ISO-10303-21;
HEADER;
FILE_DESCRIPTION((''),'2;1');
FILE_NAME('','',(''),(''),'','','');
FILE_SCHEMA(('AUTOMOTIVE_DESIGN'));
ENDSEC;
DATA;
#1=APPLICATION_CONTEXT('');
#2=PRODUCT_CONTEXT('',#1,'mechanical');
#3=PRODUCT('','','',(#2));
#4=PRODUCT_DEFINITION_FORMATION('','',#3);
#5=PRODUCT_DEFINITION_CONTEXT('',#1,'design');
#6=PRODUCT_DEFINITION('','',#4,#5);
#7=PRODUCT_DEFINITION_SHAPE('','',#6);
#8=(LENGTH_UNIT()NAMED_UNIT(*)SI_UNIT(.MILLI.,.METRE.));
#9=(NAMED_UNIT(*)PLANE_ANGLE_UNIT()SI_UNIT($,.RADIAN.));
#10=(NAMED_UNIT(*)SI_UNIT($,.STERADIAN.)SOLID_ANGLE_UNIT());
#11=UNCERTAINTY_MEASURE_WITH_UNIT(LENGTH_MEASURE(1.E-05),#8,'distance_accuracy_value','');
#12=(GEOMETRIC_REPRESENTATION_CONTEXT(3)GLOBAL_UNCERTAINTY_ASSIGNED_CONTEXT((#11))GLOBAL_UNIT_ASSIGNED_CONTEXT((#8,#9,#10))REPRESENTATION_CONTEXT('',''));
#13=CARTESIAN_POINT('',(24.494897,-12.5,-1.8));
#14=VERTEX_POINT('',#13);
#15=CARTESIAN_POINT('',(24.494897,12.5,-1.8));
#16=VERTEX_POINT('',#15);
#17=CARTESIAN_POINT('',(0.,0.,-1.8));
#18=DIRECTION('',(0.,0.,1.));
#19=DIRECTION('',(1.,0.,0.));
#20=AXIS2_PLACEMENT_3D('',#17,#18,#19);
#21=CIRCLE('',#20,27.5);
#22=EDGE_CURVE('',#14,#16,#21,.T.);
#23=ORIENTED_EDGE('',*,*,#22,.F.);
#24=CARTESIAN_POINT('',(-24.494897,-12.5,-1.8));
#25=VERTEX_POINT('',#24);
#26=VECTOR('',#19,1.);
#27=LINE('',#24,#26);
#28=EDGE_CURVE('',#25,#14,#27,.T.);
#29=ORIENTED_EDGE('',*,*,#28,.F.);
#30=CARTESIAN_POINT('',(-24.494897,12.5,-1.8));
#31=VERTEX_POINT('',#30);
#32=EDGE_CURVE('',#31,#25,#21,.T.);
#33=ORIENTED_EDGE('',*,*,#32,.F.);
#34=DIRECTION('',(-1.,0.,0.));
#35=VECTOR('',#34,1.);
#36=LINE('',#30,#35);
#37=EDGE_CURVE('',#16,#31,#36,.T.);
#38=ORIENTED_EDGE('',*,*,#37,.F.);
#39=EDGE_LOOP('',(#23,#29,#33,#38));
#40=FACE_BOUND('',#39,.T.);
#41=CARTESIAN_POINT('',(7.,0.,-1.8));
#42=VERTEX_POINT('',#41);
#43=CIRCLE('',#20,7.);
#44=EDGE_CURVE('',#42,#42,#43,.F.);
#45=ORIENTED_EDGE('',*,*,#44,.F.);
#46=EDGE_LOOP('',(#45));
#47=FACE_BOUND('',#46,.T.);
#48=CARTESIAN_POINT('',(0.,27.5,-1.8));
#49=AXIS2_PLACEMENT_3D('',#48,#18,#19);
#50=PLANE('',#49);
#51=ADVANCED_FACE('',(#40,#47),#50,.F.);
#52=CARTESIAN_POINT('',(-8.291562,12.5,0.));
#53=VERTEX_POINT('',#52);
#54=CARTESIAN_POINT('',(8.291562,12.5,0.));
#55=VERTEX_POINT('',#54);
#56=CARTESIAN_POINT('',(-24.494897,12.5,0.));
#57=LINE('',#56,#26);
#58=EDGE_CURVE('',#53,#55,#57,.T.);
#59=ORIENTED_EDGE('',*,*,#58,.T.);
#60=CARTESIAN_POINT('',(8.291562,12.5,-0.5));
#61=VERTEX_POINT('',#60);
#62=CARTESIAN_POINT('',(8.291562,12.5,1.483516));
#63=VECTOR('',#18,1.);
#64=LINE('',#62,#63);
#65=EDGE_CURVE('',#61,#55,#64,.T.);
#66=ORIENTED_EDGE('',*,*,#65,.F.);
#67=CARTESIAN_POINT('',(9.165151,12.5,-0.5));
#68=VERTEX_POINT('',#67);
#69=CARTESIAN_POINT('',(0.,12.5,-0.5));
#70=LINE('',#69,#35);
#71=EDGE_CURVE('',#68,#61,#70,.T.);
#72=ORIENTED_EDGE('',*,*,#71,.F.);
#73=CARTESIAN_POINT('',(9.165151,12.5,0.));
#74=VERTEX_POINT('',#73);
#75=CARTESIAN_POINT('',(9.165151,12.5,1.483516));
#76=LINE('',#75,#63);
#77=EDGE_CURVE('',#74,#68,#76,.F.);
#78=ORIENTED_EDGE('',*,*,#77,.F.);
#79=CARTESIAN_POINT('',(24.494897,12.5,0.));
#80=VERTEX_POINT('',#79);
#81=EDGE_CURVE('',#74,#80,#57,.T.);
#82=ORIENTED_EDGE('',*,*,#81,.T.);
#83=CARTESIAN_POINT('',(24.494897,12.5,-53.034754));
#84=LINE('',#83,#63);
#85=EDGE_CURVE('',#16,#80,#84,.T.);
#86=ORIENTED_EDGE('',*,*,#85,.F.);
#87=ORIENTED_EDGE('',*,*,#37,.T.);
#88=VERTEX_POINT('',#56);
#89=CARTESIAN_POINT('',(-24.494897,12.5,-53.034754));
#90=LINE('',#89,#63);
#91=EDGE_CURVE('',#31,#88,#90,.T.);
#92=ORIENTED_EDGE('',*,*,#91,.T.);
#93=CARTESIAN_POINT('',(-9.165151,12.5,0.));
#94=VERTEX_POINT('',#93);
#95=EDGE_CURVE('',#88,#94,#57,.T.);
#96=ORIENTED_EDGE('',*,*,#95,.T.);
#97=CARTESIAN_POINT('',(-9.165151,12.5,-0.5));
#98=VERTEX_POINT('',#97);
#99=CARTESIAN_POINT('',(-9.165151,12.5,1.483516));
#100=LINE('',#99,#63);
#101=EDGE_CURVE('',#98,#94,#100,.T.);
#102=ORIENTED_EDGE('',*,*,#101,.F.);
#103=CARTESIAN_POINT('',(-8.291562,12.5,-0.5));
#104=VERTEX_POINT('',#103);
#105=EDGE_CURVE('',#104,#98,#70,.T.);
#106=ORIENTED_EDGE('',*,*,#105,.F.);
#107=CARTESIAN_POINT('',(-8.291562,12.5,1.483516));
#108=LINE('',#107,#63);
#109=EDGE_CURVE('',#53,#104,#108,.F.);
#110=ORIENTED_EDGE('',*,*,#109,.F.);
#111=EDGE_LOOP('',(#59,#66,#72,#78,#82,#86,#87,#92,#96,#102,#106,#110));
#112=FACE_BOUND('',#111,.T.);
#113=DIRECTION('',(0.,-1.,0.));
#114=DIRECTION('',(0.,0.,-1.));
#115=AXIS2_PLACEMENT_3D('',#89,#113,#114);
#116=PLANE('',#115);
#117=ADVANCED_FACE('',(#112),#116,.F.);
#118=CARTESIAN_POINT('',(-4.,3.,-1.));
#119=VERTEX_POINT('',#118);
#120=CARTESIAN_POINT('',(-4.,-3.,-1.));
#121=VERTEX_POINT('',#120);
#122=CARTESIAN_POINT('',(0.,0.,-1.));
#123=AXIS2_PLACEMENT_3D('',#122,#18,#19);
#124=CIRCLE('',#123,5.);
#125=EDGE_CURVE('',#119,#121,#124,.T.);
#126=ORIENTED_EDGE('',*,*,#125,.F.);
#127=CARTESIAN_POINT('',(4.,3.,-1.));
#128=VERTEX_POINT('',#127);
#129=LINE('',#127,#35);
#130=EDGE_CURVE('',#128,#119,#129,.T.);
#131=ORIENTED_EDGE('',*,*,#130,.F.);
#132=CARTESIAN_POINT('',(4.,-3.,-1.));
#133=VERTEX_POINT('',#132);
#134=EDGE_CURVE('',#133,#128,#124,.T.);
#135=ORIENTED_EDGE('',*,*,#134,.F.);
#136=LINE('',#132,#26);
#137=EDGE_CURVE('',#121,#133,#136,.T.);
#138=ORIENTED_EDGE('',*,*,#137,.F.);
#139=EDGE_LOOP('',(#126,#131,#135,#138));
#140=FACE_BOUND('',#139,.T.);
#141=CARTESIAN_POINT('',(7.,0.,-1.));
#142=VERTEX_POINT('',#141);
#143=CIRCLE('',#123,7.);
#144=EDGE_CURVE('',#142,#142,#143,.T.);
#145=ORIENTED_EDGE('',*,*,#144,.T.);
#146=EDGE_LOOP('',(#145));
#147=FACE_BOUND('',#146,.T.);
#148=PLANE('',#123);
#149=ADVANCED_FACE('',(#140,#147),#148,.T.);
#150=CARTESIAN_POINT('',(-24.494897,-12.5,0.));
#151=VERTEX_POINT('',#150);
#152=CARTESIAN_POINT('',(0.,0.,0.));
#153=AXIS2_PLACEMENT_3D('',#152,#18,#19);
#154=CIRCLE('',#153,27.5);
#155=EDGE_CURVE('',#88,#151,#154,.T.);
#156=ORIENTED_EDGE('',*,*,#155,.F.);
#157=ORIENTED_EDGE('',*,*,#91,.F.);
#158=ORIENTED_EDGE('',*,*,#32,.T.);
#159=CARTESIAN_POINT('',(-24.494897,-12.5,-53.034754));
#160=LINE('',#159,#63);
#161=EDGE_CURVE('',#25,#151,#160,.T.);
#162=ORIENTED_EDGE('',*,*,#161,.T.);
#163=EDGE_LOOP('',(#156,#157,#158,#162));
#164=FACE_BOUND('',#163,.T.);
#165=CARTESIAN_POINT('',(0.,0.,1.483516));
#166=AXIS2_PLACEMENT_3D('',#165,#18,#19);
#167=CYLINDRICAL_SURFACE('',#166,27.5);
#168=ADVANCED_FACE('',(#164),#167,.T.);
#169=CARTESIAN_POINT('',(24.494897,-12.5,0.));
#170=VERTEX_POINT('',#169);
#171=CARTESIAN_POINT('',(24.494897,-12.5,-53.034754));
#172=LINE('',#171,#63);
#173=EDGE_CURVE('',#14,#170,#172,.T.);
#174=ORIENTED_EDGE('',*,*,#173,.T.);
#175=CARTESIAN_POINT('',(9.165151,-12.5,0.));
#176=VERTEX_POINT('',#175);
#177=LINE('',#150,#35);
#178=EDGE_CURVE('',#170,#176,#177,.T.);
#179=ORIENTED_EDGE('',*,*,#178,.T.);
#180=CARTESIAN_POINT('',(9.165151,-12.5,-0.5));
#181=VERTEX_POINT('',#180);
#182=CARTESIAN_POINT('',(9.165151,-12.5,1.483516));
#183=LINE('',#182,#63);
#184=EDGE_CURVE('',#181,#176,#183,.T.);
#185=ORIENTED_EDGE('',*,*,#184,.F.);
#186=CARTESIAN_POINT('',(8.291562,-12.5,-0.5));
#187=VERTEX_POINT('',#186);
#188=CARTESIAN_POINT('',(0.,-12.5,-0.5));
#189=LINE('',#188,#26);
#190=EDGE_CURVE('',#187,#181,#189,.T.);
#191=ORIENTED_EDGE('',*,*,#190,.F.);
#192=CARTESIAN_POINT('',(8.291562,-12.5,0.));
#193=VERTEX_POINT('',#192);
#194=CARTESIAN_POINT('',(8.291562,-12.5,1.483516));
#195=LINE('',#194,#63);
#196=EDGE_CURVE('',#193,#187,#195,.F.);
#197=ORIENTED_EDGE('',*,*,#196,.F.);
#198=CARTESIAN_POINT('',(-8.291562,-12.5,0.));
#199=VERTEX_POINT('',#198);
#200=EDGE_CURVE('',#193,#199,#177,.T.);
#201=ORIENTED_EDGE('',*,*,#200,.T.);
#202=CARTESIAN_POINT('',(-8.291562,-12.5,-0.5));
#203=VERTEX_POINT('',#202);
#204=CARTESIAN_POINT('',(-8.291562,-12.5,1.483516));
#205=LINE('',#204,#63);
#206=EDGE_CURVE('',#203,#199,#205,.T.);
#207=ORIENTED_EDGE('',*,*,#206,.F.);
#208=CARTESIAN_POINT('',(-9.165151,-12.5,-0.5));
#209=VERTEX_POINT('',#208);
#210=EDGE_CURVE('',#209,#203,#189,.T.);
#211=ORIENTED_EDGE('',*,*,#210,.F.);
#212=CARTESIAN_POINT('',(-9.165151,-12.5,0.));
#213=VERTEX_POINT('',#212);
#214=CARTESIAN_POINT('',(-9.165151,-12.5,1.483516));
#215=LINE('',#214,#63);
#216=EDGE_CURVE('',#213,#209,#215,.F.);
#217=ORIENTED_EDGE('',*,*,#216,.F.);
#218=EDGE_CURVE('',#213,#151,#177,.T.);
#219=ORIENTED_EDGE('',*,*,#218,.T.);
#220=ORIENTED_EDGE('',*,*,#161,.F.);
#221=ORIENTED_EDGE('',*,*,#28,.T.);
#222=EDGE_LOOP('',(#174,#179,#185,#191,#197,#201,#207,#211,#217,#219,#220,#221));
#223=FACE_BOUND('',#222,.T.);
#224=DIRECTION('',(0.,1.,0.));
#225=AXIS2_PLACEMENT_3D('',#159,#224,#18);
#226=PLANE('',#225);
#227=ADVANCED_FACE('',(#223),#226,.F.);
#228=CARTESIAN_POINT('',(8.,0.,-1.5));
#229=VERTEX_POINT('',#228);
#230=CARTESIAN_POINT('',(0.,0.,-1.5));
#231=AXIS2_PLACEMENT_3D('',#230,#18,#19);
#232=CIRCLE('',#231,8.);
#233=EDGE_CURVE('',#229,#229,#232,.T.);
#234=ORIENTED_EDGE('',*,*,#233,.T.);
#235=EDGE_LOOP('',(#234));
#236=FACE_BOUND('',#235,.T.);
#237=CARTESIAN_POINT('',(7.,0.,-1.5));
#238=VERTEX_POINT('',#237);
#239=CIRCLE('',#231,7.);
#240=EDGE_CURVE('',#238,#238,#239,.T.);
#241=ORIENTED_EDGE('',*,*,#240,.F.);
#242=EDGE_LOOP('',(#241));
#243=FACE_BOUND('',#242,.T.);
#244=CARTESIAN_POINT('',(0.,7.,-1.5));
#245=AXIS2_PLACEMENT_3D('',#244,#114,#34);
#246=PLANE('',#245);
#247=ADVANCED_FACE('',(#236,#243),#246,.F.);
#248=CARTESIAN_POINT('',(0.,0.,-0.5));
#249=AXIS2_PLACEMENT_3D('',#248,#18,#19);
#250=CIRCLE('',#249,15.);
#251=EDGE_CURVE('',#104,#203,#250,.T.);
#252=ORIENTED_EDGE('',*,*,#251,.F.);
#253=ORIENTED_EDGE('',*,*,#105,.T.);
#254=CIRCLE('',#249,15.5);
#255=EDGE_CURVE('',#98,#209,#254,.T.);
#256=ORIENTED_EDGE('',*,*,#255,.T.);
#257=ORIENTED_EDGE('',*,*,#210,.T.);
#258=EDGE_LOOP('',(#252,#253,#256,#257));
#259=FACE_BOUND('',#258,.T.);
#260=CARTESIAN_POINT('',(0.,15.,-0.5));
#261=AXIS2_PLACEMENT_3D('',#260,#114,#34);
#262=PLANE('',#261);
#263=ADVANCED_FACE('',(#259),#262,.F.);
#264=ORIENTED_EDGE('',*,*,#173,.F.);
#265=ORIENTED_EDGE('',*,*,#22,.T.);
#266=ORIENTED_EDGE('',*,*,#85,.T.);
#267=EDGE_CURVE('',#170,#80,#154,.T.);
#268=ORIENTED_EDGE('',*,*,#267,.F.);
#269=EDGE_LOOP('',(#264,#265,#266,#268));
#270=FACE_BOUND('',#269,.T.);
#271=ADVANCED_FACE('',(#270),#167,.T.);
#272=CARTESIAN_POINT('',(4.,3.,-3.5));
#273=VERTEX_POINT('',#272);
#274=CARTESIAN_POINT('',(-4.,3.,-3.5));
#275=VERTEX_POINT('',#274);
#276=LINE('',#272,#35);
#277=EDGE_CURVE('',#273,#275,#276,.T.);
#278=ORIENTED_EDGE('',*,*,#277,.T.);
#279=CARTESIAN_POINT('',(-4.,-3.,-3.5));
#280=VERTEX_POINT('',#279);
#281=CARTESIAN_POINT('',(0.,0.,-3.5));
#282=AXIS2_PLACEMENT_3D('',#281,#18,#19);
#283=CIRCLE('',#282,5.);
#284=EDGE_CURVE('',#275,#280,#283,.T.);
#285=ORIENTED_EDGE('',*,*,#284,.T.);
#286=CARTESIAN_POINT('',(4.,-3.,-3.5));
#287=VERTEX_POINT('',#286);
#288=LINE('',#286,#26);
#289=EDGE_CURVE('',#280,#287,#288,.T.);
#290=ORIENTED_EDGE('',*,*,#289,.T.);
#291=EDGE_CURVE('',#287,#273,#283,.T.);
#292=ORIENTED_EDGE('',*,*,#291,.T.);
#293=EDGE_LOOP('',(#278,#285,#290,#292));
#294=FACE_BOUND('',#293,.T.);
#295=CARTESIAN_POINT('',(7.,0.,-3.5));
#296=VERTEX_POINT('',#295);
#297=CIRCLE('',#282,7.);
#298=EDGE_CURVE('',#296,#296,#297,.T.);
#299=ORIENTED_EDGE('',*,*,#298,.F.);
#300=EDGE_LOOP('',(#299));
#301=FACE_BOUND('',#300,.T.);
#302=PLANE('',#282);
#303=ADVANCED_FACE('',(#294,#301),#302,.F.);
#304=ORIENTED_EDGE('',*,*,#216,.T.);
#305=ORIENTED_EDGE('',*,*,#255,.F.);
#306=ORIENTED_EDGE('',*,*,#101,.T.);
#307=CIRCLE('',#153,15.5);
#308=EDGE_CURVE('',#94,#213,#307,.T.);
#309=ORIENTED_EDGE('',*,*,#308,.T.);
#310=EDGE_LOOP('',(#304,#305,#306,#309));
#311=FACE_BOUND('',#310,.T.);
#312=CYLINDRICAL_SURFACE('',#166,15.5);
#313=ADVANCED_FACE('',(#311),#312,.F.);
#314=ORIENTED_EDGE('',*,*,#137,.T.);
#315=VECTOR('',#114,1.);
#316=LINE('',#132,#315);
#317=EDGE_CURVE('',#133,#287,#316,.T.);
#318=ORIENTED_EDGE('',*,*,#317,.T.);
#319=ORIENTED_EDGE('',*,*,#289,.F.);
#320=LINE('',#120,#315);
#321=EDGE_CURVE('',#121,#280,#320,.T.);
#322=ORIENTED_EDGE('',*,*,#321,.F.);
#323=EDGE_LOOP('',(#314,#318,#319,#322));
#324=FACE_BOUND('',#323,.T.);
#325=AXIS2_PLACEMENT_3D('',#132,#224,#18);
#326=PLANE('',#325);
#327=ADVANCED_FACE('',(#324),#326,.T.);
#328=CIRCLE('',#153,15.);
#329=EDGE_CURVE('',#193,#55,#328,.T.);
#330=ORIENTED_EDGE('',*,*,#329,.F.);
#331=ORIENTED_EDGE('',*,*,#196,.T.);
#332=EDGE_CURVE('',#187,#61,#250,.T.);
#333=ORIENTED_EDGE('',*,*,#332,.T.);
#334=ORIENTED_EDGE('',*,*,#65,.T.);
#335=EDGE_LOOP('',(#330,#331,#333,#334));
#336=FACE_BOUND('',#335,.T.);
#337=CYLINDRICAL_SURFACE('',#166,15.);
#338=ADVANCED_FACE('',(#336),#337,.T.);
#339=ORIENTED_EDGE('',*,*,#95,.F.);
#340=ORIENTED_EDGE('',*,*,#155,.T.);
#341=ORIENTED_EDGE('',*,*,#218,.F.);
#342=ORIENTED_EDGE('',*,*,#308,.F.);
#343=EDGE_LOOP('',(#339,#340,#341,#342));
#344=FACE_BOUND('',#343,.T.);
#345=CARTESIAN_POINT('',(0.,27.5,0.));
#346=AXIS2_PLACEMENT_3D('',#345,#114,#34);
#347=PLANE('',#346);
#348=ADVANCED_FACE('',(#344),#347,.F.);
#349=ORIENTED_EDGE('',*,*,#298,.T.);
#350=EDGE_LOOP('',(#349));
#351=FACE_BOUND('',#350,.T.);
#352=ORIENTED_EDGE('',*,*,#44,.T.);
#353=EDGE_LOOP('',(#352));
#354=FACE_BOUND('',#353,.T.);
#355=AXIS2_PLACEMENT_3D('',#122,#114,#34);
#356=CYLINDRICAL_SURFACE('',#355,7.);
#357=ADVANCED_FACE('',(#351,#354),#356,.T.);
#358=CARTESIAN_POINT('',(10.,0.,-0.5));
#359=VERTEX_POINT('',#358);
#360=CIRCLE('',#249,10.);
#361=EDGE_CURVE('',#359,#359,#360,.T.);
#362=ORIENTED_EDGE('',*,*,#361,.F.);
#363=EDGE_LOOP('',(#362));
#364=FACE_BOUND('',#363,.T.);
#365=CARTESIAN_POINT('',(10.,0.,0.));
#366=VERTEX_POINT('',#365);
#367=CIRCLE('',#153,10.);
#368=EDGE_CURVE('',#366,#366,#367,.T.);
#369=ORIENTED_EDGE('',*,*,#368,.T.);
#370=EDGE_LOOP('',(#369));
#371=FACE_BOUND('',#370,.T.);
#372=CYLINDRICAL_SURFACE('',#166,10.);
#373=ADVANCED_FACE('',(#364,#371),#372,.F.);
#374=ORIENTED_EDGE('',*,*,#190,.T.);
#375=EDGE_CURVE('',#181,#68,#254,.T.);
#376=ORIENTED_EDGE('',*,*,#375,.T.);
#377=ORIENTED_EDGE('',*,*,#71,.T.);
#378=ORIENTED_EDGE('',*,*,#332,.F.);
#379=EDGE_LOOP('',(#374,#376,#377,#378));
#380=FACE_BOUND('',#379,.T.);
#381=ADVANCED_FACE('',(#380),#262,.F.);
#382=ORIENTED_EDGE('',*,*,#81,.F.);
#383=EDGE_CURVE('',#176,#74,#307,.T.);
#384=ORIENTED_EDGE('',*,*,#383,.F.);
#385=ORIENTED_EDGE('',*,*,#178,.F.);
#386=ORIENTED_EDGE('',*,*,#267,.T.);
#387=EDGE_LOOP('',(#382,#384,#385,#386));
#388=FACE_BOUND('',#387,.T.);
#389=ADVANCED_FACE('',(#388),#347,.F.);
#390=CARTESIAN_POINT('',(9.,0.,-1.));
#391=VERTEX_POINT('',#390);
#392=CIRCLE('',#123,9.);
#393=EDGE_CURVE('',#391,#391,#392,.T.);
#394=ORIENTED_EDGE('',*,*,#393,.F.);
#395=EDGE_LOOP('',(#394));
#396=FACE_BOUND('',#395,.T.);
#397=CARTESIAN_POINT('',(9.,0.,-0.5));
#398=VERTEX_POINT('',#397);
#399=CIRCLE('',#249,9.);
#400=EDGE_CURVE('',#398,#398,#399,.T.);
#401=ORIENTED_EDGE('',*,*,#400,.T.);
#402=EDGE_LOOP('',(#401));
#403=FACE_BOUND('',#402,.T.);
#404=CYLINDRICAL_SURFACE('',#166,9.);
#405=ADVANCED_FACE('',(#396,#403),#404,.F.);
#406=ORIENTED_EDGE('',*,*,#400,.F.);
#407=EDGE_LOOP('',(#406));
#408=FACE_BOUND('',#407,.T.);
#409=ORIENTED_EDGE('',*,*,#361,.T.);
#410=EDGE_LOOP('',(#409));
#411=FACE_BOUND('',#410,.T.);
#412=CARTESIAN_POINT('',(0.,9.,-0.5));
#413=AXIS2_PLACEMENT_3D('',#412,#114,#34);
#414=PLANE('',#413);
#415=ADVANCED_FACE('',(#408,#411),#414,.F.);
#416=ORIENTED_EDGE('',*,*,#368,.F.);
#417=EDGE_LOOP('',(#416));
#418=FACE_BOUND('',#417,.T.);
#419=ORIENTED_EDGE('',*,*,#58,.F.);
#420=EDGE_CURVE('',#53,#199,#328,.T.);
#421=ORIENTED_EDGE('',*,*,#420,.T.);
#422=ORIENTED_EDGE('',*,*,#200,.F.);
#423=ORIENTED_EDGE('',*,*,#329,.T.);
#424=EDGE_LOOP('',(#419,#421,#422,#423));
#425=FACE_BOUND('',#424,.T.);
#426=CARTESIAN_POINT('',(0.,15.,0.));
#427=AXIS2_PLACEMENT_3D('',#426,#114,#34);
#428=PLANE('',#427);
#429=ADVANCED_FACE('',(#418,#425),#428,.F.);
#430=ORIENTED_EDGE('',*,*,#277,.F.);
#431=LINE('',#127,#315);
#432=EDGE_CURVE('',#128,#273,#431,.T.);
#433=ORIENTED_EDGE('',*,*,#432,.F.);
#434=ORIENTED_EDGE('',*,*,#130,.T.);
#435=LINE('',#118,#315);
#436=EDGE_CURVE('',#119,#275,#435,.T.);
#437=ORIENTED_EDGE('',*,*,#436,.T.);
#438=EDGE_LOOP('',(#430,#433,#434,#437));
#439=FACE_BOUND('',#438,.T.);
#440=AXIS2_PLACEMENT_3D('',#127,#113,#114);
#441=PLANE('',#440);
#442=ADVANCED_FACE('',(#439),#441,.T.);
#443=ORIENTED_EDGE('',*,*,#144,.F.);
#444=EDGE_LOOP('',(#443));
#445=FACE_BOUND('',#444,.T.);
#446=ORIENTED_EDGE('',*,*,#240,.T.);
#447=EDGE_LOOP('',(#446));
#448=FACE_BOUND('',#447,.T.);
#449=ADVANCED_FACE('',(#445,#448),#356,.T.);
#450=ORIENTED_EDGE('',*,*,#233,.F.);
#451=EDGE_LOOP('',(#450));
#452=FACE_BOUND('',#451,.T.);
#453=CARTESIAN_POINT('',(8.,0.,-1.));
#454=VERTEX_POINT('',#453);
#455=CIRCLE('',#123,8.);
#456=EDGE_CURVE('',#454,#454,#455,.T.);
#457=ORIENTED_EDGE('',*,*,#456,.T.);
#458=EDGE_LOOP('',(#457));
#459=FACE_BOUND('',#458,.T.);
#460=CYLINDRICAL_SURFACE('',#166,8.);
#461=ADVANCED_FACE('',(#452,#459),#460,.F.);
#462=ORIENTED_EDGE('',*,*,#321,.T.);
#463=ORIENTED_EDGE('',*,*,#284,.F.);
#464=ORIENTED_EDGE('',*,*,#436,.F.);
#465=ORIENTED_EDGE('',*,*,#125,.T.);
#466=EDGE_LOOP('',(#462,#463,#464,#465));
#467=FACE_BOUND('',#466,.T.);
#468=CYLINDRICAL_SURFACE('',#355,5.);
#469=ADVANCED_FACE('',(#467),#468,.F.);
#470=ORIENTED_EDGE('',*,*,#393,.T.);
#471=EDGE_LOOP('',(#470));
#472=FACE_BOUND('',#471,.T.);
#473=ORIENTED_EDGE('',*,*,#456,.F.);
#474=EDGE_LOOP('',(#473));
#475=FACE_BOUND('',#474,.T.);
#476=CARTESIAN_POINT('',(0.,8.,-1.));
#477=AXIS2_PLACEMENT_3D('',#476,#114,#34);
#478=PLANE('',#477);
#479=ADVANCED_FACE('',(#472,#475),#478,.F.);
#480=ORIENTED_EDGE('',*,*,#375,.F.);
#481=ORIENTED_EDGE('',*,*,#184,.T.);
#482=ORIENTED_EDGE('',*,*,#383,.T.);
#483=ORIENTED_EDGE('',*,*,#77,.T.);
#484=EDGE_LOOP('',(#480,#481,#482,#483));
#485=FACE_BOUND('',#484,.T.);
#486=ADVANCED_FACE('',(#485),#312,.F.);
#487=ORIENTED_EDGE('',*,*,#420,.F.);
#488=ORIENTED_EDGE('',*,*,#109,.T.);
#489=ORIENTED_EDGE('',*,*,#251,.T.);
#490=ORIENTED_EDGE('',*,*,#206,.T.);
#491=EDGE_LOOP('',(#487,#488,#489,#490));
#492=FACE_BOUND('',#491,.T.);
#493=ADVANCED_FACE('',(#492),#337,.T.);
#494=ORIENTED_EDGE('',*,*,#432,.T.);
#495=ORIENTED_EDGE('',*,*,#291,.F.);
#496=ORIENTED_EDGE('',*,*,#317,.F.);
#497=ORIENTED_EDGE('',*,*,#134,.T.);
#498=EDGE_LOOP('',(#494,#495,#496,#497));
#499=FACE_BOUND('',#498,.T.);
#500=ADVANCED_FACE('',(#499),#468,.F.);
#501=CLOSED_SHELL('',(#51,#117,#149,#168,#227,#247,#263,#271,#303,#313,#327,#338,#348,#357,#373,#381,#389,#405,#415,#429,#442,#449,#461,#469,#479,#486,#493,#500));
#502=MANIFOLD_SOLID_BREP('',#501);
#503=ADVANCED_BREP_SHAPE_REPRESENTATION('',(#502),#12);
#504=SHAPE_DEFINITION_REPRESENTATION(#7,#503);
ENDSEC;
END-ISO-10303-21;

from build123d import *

# Parameters (mm, degrees)
CUT_EXTRUDE_START    = -1.8
CUT_EXTRUDE_1_DEPTH  = 1.8
EXTRUDE_1_DEPTH      = 0.5
EXTRUDE_1_DEPTH_BACK = 2
SKETCH_3_R           = 7


with BuildPart() as part:
    # Эскиз1 → Повернуть1 (revolve)
    with BuildSketch(Plane(origin=(0, 0, 0), x_dir=(0, 0, -1), z_dir=(1, 0, 0)), mode=Mode.PRIVATE) as revolve_1_sk:
        Polygon((1.5, 7), (1.5, 8), (1, 8), (1, 9), (0.5, 9), (0.5, 10), (0, 10), (0, 15), (0.5, 15), (0.5, 15.5), (0, 15.5), (0, 27.5), (1.8, 27.5), (1.8, 7), align=None)
    revolve(revolve_1_sk.sketch.rotate(Axis((0, 0, 1.483516484), (0, 0, -1)), 90), axis=Axis((0, 0, 1.483516484), (0, 0, -1)))

    # Эскиз2 → Вырез-Вытянуть1 (cut)
    with BuildSketch(Plane.XY.offset(CUT_EXTRUDE_START)):
        with BuildLine():
            Line((-24.494897428, 12.5), (24.494897428, 12.5))
            ThreePointArc((24.494897428, 12.5), (0, 27.5), (-24.494897428, 12.5))
        make_face()
        with BuildLine():
            Line((-24.494897428, -12.5), (24.494897428, -12.5))
            ThreePointArc((24.494897428, -12.5), (0, -27.5), (-24.494897428, -12.5))
        make_face()
    extrude(amount=CUT_EXTRUDE_1_DEPTH, mode=Mode.SUBTRACT)

    # Эскиз3 → Бобышка-Вытянуть1 (add, two sides: drawn at the far end of the back side and taken through both)
    with BuildSketch(Plane.XY.offset(-1.5).offset(-EXTRUDE_1_DEPTH_BACK)):
        Circle(SKETCH_3_R)
        with BuildLine():
            Line((4, 3), (-4, 3))
            ThreePointArc((-4, 3), (-5, 0), (-4, -3))
            Line((-4, -3), (4, -3))
            ThreePointArc((4, -3), (5, 0), (4, 3))
        make_face(mode=Mode.SUBTRACT)
    extrude(amount=EXTRUDE_1_DEPTH + EXTRUDE_1_DEPTH_BACK)


solid = part.part
